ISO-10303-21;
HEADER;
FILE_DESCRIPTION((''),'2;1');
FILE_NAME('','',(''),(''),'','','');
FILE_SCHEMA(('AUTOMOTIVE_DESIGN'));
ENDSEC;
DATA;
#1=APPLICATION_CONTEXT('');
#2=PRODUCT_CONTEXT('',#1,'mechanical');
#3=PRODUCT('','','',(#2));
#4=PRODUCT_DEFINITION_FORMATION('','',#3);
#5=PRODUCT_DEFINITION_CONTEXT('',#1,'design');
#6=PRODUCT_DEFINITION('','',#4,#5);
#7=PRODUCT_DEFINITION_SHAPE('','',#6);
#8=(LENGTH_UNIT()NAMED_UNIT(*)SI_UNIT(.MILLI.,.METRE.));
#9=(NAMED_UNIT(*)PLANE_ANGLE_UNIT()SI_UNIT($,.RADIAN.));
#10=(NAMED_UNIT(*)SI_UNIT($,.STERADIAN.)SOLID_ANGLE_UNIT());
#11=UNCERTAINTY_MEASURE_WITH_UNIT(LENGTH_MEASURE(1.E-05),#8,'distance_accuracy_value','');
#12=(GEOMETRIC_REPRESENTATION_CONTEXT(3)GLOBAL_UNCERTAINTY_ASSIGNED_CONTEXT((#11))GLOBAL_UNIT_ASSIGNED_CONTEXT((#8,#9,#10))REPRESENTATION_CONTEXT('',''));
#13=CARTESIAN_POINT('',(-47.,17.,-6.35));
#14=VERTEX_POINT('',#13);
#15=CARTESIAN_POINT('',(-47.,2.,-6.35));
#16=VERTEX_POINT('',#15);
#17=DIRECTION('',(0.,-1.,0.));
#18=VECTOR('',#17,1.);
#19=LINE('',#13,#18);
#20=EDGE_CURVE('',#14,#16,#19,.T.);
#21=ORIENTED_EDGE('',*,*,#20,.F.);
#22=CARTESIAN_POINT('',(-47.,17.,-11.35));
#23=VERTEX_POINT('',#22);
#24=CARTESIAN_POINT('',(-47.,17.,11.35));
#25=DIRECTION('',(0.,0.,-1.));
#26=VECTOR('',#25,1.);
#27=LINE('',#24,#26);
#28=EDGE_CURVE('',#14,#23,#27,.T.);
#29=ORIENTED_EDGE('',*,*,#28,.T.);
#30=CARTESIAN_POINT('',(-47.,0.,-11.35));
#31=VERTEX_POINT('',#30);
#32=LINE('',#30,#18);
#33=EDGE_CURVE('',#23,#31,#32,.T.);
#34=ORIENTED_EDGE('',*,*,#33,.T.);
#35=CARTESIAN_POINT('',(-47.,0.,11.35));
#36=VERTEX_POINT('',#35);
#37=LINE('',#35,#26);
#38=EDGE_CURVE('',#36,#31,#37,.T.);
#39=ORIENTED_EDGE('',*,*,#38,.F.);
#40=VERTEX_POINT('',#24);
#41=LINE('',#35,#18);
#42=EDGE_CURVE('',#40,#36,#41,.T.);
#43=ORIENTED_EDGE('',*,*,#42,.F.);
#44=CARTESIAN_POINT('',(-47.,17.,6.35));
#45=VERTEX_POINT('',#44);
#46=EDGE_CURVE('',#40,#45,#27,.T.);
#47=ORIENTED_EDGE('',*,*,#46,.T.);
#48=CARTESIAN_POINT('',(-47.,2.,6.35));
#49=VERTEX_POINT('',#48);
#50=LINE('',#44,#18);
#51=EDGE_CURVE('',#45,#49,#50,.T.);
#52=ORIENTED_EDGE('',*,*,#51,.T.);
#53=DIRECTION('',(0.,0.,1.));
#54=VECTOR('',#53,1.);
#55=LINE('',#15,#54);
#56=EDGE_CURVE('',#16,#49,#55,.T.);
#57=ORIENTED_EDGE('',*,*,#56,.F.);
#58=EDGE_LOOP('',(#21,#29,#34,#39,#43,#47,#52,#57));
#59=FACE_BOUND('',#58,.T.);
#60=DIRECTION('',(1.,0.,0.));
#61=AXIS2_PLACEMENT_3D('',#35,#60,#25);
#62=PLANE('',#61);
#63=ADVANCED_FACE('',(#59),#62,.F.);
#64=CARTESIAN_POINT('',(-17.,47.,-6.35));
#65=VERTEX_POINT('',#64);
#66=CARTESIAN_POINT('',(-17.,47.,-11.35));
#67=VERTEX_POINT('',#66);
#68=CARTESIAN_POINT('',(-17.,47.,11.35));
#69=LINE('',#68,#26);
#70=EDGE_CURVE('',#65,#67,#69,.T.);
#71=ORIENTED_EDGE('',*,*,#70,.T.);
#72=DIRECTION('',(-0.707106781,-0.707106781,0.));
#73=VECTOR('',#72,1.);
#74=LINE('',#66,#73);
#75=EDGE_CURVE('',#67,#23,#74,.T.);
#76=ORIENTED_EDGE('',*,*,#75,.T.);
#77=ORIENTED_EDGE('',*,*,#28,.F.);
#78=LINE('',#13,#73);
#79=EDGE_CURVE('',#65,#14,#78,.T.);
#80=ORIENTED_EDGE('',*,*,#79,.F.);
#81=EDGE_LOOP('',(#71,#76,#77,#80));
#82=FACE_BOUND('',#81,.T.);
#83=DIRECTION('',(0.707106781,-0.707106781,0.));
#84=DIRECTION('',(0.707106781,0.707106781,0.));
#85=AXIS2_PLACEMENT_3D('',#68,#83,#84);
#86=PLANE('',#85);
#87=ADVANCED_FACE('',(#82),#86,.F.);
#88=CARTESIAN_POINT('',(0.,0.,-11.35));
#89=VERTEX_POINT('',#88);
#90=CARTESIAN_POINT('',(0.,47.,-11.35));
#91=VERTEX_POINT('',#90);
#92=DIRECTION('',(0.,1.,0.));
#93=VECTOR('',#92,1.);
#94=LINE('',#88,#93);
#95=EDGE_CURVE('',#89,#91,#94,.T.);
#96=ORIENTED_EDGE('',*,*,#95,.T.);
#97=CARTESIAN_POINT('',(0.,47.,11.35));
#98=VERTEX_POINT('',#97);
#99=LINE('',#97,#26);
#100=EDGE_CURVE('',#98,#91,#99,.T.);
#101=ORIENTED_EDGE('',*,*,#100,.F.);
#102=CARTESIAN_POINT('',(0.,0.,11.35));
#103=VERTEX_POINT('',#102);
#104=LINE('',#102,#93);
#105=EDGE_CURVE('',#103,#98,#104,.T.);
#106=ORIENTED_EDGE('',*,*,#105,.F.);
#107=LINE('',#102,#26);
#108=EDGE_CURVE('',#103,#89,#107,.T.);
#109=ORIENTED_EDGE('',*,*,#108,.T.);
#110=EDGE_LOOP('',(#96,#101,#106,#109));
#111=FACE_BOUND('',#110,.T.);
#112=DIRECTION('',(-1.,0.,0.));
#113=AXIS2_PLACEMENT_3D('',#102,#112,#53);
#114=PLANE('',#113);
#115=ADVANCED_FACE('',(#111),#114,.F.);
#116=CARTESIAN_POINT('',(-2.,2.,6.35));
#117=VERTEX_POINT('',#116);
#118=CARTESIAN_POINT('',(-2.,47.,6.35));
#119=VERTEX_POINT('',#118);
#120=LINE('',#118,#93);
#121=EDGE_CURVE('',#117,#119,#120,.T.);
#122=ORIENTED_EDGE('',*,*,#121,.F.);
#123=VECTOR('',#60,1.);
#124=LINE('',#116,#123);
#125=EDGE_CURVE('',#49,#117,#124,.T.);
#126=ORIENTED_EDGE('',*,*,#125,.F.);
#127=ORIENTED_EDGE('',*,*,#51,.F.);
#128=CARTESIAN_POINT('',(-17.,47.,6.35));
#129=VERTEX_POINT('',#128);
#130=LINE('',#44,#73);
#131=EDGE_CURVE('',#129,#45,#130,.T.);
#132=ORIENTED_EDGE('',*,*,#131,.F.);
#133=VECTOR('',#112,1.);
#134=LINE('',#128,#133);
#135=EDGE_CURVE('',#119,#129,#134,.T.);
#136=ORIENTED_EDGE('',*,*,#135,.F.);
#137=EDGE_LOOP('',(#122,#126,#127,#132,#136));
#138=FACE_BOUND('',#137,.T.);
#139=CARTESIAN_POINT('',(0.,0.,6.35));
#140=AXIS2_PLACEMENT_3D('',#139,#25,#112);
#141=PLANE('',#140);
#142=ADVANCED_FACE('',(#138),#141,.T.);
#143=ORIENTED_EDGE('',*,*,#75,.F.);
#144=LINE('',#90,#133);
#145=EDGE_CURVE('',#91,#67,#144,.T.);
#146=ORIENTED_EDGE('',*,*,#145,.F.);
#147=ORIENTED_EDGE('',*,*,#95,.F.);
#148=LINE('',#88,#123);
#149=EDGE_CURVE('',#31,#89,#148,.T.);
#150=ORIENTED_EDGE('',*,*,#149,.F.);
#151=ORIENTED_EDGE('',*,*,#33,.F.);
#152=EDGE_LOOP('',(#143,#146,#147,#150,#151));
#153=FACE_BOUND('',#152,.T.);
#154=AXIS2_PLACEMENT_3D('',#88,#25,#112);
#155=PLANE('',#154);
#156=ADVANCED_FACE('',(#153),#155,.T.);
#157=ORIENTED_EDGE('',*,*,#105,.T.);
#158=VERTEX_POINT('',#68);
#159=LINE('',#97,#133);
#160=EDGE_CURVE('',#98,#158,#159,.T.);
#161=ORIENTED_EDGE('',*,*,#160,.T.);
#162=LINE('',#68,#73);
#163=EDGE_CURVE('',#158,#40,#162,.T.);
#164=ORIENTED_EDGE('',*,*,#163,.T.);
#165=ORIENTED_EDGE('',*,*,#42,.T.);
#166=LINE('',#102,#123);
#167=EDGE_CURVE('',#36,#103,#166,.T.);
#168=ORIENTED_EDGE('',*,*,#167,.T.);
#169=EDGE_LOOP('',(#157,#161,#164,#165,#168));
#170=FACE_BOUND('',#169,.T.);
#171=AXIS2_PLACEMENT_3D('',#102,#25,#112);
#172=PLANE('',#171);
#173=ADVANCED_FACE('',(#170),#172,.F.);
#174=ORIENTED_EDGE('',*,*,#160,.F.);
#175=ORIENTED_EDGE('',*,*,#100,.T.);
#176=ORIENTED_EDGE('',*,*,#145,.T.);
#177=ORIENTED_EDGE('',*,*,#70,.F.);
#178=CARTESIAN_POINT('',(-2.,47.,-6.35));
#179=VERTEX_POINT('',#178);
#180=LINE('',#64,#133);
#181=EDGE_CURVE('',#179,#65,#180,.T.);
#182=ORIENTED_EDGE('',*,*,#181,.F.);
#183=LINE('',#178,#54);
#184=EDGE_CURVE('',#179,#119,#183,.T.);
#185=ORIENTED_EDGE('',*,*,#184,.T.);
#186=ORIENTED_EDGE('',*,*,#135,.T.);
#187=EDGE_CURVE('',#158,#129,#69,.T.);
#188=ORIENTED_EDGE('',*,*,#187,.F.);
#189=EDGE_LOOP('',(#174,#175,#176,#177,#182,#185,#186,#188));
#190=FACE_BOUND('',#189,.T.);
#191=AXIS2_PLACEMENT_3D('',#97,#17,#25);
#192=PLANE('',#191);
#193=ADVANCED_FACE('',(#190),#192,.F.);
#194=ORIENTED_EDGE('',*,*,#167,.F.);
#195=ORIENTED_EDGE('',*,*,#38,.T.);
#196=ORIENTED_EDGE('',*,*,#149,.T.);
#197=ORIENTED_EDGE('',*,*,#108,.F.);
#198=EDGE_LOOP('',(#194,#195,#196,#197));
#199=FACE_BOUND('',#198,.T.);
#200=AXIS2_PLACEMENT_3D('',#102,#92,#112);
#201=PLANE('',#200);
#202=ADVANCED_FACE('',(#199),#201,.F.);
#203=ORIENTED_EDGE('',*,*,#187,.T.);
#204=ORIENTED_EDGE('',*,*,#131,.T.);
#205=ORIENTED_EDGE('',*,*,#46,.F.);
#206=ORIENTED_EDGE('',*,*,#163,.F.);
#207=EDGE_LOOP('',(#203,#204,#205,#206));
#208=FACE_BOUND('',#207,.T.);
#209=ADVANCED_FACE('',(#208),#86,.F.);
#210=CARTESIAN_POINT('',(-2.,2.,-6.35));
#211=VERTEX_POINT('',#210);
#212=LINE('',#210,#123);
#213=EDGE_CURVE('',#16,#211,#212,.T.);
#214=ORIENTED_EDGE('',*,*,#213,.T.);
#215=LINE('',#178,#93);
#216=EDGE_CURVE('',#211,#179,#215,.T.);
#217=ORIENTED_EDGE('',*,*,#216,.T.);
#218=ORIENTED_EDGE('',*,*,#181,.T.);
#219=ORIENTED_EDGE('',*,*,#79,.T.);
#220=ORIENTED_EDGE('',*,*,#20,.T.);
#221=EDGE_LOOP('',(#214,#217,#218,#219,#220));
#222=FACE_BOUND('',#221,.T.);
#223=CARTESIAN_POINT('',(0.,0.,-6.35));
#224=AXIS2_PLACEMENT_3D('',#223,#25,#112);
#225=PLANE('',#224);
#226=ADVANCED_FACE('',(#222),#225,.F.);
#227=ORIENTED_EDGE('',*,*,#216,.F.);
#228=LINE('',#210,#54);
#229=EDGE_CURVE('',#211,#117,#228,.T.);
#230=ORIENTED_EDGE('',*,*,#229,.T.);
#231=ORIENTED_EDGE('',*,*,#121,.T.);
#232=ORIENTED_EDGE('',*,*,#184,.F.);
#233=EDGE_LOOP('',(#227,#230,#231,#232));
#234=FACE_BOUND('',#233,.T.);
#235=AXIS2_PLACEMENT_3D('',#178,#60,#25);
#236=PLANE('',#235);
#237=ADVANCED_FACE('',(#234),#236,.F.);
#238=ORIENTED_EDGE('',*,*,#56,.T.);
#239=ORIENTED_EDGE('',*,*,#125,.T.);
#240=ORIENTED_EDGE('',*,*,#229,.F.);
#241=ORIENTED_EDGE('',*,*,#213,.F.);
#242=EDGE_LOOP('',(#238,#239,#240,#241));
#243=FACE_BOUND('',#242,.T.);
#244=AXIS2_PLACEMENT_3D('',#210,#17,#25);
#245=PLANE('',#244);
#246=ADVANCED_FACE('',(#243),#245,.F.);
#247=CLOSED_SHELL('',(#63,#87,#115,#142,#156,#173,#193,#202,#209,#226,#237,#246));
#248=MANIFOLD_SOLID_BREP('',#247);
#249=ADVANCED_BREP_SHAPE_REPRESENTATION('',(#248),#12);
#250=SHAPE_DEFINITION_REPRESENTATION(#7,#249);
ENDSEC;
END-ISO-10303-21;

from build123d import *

# Parameters (mm, degrees)
BOSS_EXTRUDE1_DEPTH = 11.35
CUT_EXTRUDE1_DEPTH  = 6.35


with BuildPart() as part:
    # Sketch1 → Boss-Extrude1 (new body, symmetric)
    with BuildSketch(Plane.XY):
        Polygon((0, 0), (0, 47), (-17, 47), (-47, 17), (-47, 0), align=None)
    extrude(amount=BOSS_EXTRUDE1_DEPTH, both=True)

    # Sketch2 → Cut-Extrude1 (cut, symmetric)
    with BuildSketch(Plane.XY):
        Polygon((-47, 17), (-47, 2), (-2, 2), (-2, 47), (-17, 47), align=None)
    extrude(amount=CUT_EXTRUDE1_DEPTH, both=True, mode=Mode.SUBTRACT)


solid = part.part
